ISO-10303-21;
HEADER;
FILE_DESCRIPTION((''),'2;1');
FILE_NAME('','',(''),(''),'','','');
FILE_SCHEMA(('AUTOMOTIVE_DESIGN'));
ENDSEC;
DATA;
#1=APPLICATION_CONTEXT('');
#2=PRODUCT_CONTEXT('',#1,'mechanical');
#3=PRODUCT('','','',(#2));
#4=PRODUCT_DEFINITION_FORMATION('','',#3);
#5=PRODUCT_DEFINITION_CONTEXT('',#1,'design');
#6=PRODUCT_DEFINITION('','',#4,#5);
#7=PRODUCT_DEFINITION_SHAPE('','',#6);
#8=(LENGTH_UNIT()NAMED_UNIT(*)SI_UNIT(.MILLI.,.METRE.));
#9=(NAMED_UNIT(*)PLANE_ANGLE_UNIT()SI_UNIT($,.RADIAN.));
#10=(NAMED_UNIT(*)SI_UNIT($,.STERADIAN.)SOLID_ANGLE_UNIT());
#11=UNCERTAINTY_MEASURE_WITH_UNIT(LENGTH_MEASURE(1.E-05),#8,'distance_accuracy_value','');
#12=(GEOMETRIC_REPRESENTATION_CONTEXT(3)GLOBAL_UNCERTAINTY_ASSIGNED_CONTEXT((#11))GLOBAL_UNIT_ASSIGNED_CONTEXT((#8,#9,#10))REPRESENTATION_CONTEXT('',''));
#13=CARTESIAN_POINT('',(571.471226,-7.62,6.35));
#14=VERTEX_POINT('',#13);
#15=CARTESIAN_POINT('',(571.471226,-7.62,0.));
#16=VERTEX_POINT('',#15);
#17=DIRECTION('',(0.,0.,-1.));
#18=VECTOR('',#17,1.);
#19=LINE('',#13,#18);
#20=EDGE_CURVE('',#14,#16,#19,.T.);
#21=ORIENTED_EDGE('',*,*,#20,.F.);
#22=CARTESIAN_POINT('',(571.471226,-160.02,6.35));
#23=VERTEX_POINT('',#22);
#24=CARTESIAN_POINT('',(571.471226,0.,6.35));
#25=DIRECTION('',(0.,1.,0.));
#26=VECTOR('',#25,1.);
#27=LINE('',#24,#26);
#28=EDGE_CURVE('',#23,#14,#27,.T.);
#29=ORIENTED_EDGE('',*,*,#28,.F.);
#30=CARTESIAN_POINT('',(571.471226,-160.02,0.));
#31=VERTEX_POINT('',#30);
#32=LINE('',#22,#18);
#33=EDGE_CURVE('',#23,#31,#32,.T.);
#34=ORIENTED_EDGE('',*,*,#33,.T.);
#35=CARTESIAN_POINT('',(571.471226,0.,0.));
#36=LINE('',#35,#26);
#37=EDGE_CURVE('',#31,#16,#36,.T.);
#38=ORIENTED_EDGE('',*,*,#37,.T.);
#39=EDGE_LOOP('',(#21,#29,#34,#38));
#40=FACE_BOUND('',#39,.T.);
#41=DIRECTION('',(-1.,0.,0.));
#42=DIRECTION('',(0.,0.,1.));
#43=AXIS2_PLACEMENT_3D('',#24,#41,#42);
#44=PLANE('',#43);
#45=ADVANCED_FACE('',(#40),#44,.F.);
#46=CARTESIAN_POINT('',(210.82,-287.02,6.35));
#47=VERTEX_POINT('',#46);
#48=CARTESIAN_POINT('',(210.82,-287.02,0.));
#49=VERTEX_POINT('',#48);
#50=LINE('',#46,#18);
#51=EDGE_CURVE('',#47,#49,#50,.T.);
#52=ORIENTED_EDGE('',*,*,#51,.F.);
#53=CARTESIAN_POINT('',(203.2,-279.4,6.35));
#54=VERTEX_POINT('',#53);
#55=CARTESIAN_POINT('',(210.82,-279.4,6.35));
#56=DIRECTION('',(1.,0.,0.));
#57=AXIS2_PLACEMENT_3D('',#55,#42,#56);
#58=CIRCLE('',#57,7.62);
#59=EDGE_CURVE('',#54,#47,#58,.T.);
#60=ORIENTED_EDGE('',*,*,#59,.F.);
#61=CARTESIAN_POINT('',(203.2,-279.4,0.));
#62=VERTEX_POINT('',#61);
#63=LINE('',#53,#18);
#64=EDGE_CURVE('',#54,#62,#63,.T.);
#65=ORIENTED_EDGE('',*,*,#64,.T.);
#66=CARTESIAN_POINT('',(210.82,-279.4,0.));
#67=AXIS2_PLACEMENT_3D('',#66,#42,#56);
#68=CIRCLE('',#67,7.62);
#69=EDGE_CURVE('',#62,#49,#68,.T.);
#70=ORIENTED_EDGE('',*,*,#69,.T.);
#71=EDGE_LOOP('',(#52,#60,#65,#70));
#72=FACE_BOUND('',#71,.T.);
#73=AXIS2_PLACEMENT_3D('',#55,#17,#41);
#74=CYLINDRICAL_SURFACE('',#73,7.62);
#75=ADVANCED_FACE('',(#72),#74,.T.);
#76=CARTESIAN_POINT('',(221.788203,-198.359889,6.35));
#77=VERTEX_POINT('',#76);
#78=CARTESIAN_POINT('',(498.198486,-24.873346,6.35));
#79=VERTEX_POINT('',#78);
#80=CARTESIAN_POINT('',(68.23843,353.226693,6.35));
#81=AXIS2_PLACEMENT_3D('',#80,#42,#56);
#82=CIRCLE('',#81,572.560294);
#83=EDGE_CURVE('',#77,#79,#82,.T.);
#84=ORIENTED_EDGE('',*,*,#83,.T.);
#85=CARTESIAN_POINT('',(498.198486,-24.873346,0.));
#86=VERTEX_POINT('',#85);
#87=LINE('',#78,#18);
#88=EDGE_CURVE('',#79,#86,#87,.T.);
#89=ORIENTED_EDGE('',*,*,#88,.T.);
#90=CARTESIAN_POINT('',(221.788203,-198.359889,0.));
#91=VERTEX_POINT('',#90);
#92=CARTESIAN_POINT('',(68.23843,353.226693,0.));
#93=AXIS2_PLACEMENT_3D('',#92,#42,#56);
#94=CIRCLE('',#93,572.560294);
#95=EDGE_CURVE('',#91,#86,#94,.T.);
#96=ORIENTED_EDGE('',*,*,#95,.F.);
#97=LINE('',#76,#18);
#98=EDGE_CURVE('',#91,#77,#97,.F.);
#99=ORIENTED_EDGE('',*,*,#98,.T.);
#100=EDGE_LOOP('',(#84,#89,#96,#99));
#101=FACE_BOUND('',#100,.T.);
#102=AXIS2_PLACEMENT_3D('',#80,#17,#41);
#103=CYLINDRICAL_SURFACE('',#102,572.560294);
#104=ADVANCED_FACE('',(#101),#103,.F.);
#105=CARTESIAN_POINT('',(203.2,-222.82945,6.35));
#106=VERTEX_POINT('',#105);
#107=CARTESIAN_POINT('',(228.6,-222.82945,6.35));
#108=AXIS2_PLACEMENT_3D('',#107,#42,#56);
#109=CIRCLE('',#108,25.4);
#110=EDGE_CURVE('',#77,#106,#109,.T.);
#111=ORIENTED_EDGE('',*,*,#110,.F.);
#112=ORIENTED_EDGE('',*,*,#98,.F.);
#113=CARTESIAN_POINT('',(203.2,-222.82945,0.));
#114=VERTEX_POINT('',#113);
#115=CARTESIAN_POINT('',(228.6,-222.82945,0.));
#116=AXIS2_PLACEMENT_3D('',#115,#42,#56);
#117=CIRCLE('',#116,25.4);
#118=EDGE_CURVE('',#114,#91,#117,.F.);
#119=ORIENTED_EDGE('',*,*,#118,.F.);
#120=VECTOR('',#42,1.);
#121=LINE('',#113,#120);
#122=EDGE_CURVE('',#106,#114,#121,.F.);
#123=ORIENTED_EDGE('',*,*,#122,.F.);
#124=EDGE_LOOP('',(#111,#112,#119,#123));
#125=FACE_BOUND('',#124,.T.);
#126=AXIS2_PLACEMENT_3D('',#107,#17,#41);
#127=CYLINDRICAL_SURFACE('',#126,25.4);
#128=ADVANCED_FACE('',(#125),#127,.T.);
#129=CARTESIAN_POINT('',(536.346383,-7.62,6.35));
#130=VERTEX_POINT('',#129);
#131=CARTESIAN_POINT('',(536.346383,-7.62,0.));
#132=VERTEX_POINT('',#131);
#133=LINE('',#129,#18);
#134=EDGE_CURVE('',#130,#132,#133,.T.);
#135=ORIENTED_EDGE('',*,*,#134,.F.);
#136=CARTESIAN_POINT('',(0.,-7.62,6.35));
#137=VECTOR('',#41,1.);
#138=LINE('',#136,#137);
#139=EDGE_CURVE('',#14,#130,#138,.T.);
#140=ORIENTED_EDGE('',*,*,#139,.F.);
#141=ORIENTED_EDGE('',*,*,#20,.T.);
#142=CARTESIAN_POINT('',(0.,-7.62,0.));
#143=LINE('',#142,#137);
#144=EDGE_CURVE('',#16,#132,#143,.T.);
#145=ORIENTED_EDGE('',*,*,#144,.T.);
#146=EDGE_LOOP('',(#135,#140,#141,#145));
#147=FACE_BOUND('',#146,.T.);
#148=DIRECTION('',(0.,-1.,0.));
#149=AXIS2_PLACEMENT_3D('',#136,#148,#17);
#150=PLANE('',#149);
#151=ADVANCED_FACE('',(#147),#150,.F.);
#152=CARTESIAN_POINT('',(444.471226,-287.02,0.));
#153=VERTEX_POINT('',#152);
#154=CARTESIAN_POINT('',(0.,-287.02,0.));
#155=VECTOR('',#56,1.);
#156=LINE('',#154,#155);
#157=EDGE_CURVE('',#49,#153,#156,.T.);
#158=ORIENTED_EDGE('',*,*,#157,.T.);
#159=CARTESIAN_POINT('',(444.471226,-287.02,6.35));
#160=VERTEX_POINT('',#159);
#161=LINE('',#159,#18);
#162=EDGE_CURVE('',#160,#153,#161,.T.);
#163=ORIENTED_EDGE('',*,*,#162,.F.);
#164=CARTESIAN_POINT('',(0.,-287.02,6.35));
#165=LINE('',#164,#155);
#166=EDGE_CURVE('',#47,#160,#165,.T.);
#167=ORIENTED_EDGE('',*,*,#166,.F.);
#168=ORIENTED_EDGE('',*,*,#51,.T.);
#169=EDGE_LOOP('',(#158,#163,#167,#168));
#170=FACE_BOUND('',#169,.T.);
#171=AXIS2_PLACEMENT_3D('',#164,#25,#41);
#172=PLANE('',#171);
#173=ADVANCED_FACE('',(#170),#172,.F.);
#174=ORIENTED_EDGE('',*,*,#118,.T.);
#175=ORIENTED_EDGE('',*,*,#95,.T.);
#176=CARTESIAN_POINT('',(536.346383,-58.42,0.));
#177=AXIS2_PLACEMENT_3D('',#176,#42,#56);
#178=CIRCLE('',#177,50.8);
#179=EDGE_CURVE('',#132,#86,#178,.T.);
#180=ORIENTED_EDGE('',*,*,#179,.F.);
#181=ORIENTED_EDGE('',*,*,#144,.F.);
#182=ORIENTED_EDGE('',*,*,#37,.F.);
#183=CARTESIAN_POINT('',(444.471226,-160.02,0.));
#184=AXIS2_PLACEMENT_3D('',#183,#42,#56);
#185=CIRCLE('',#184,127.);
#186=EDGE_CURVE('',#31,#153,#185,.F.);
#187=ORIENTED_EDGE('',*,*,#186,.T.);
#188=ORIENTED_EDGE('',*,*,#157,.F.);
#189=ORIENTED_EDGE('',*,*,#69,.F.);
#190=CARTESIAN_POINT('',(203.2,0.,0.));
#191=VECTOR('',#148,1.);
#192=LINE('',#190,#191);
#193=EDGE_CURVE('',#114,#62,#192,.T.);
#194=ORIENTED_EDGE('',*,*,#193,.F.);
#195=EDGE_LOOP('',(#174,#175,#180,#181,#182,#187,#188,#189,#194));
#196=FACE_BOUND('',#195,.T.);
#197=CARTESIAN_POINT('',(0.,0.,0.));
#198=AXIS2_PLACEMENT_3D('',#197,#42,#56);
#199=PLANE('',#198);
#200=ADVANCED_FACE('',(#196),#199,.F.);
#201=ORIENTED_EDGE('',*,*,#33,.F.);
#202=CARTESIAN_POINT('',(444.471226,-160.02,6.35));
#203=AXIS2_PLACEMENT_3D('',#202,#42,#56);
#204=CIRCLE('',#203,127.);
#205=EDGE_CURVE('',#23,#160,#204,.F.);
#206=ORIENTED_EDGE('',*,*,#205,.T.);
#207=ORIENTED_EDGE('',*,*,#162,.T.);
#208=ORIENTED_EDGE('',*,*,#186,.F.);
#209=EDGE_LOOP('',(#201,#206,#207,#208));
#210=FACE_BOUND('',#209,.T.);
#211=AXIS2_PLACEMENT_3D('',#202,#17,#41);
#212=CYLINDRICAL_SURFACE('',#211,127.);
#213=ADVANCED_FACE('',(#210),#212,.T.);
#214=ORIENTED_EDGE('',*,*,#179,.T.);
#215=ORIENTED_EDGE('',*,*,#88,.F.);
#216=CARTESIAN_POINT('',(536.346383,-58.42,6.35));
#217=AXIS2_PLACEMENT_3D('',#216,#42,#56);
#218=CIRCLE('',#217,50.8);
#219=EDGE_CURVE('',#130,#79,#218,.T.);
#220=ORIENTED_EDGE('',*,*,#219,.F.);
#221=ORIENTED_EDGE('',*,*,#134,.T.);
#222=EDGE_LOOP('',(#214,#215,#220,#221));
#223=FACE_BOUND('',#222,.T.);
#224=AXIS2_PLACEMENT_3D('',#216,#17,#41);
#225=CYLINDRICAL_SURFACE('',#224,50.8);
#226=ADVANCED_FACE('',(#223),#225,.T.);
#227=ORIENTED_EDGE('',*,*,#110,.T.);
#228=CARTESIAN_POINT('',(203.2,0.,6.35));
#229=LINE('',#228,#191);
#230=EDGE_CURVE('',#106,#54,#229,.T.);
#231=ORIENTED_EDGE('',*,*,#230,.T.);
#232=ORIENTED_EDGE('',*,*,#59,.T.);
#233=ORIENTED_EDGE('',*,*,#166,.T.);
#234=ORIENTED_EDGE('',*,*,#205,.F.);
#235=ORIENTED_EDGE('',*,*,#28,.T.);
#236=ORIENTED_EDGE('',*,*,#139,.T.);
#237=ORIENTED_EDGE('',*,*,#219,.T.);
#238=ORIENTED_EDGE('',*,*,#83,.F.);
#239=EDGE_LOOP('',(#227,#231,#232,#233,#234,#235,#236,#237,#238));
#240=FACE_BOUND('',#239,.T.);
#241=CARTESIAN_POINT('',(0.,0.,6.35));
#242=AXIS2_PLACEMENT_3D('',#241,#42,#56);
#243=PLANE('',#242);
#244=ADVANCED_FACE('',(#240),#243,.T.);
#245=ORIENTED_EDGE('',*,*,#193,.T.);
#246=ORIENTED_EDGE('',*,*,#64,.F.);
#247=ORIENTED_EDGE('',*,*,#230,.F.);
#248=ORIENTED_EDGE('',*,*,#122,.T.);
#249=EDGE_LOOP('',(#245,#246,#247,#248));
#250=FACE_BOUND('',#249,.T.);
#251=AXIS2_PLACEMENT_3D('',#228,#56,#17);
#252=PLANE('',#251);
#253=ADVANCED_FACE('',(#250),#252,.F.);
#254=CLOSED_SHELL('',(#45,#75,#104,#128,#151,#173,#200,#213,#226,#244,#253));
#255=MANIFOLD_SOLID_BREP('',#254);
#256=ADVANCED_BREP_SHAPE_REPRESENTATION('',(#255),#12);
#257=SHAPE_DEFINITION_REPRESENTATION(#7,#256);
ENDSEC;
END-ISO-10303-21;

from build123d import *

# Parameters (mm, degrees)
BOSS_EXTRUDE1_DEPTH = 6.35
FILLET1_R           = 25.4


with BuildPart() as part:
    # Sketch1 → Boss-Extrude1 (new body)
    with BuildSketch(Plane.XY):
        with BuildLine():
            Line((203.2, -203.2), (203.2, -279.4))
            ThreePointArc((203.2, -279.4), (205.431846327, -284.788153673), (210.82, -287.02))
            Line((210.82, -287.02), (444.471225938, -287.02))
            ThreePointArc((444.471225938, -287.02), (534.273787149, -249.822561211), (571.471225938, -160.02))
            Line((571.471225938, -160.02), (571.471225938, -7.62))
            Line((571.471225938, -7.62), (536.346383071, -7.62))
            ThreePointArc((536.346383071, -7.62), (515.412320101, -12.133878888), (498.198486458, -24.873346158))
            ThreePointArc((498.198486458, -24.873346158), (364.438041528, -136.764204924), (203.2, -203.2))
        make_face()
    extrude(amount=BOSS_EXTRUDE1_DEPTH)

    # Fillet1
    fillet1_edges = [part.edges().sort_by_distance(p)[0] for p in [
        (203.2, -203.2, 3.175),
    ]]
    fillet(fillet1_edges, radius=FILLET1_R)


solid = part.part
